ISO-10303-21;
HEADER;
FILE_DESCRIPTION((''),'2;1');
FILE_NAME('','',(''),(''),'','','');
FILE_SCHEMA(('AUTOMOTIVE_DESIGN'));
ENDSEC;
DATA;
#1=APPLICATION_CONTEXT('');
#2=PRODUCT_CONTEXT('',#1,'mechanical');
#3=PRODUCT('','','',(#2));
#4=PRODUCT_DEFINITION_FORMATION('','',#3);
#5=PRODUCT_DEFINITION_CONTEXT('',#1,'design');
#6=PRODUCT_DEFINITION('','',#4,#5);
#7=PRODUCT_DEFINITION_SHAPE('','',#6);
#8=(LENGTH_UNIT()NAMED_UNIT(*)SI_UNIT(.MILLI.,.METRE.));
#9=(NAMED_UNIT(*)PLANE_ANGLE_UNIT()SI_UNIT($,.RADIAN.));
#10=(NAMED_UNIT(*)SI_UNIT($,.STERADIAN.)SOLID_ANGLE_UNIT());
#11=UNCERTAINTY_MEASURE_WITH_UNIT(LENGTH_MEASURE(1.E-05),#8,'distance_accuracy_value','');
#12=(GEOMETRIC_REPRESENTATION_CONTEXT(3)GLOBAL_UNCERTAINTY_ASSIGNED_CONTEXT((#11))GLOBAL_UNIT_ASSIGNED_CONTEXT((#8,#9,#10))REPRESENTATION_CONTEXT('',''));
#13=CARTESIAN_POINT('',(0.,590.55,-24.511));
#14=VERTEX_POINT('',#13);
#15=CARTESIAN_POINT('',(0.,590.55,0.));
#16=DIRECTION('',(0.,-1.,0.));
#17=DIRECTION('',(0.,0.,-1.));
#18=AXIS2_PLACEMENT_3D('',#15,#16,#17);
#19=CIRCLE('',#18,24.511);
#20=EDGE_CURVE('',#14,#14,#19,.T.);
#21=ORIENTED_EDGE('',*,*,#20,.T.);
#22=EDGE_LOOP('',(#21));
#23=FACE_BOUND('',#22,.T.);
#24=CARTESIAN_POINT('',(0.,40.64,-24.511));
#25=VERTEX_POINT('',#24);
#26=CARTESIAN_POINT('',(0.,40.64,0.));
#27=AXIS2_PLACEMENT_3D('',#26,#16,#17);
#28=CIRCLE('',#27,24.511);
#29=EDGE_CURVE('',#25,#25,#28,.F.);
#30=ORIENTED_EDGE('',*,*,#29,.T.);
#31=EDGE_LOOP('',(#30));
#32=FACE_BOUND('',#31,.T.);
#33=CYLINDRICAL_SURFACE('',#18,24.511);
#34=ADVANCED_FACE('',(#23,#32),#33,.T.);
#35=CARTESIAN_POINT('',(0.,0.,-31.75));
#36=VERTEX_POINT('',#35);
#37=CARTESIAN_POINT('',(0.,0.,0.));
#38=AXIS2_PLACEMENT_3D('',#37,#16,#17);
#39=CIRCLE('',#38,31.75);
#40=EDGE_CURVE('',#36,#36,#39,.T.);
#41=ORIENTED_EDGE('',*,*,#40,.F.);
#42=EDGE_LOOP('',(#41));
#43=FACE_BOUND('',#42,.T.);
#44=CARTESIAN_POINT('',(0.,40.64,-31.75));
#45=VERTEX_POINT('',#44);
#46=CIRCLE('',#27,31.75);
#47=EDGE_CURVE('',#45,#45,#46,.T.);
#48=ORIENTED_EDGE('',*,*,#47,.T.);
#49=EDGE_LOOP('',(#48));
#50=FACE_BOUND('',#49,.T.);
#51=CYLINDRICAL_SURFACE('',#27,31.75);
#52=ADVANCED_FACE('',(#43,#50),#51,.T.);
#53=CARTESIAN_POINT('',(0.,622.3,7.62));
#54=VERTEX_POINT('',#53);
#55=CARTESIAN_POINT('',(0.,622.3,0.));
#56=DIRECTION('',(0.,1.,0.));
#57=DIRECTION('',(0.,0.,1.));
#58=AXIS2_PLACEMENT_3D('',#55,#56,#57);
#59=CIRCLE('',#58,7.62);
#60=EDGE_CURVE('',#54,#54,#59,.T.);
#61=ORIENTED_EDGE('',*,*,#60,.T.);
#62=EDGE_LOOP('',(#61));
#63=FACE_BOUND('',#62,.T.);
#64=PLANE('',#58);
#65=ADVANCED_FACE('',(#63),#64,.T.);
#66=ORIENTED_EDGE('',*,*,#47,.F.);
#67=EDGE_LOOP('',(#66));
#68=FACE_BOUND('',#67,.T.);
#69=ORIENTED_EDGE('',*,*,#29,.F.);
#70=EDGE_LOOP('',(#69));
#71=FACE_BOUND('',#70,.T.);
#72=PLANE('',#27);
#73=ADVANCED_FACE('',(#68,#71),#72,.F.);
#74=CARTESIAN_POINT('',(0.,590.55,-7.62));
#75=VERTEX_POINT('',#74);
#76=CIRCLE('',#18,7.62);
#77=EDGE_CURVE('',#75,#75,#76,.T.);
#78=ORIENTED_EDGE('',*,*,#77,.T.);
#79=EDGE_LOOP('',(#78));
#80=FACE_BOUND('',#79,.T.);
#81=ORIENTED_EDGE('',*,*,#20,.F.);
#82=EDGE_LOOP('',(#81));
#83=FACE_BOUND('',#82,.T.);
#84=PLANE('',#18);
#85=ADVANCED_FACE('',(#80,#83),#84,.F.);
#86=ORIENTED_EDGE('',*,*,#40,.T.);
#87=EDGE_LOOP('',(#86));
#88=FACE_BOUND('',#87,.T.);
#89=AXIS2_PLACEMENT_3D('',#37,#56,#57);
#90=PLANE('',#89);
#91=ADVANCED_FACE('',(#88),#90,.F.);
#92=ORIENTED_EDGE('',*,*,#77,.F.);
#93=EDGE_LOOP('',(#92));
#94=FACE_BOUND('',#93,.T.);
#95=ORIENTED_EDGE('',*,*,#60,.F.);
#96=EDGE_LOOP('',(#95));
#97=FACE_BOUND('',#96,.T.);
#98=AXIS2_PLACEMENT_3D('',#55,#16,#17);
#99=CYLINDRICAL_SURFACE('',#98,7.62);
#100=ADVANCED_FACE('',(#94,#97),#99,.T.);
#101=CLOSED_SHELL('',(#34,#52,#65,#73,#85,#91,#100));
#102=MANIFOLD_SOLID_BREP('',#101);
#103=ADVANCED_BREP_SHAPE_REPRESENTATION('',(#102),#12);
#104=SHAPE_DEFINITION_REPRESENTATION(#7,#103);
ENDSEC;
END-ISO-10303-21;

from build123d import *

# Parameters (mm, degrees)
SKETCH1_R           = 7.62
BOSS_EXTRUDE1_DEPTH = 622.3
SKETCH2_R           = 24.511
BOSS_EXTRUDE2_DEPTH = 590.55
SKETCH3_R           = 31.75
BOSS_EXTRUDE3_DEPTH = 40.64


with BuildPart() as part:
    # Sketch1 → Boss-Extrude1 (new body)
    with BuildSketch(Plane(origin=(0, 0, 0), x_dir=(1, 0, 0), z_dir=(0, 1, 0))):
        Circle(SKETCH1_R)
    extrude(amount=BOSS_EXTRUDE1_DEPTH)

    # Sketch2 → Boss-Extrude2 (add)
    with BuildSketch(Plane.XZ):
        Circle(SKETCH2_R)
    extrude(amount=-BOSS_EXTRUDE2_DEPTH)

    # Sketch3 → Boss-Extrude3 (add)
    with BuildSketch(Plane.XZ):
        Circle(SKETCH3_R)
    extrude(amount=-BOSS_EXTRUDE3_DEPTH)


solid = part.part
